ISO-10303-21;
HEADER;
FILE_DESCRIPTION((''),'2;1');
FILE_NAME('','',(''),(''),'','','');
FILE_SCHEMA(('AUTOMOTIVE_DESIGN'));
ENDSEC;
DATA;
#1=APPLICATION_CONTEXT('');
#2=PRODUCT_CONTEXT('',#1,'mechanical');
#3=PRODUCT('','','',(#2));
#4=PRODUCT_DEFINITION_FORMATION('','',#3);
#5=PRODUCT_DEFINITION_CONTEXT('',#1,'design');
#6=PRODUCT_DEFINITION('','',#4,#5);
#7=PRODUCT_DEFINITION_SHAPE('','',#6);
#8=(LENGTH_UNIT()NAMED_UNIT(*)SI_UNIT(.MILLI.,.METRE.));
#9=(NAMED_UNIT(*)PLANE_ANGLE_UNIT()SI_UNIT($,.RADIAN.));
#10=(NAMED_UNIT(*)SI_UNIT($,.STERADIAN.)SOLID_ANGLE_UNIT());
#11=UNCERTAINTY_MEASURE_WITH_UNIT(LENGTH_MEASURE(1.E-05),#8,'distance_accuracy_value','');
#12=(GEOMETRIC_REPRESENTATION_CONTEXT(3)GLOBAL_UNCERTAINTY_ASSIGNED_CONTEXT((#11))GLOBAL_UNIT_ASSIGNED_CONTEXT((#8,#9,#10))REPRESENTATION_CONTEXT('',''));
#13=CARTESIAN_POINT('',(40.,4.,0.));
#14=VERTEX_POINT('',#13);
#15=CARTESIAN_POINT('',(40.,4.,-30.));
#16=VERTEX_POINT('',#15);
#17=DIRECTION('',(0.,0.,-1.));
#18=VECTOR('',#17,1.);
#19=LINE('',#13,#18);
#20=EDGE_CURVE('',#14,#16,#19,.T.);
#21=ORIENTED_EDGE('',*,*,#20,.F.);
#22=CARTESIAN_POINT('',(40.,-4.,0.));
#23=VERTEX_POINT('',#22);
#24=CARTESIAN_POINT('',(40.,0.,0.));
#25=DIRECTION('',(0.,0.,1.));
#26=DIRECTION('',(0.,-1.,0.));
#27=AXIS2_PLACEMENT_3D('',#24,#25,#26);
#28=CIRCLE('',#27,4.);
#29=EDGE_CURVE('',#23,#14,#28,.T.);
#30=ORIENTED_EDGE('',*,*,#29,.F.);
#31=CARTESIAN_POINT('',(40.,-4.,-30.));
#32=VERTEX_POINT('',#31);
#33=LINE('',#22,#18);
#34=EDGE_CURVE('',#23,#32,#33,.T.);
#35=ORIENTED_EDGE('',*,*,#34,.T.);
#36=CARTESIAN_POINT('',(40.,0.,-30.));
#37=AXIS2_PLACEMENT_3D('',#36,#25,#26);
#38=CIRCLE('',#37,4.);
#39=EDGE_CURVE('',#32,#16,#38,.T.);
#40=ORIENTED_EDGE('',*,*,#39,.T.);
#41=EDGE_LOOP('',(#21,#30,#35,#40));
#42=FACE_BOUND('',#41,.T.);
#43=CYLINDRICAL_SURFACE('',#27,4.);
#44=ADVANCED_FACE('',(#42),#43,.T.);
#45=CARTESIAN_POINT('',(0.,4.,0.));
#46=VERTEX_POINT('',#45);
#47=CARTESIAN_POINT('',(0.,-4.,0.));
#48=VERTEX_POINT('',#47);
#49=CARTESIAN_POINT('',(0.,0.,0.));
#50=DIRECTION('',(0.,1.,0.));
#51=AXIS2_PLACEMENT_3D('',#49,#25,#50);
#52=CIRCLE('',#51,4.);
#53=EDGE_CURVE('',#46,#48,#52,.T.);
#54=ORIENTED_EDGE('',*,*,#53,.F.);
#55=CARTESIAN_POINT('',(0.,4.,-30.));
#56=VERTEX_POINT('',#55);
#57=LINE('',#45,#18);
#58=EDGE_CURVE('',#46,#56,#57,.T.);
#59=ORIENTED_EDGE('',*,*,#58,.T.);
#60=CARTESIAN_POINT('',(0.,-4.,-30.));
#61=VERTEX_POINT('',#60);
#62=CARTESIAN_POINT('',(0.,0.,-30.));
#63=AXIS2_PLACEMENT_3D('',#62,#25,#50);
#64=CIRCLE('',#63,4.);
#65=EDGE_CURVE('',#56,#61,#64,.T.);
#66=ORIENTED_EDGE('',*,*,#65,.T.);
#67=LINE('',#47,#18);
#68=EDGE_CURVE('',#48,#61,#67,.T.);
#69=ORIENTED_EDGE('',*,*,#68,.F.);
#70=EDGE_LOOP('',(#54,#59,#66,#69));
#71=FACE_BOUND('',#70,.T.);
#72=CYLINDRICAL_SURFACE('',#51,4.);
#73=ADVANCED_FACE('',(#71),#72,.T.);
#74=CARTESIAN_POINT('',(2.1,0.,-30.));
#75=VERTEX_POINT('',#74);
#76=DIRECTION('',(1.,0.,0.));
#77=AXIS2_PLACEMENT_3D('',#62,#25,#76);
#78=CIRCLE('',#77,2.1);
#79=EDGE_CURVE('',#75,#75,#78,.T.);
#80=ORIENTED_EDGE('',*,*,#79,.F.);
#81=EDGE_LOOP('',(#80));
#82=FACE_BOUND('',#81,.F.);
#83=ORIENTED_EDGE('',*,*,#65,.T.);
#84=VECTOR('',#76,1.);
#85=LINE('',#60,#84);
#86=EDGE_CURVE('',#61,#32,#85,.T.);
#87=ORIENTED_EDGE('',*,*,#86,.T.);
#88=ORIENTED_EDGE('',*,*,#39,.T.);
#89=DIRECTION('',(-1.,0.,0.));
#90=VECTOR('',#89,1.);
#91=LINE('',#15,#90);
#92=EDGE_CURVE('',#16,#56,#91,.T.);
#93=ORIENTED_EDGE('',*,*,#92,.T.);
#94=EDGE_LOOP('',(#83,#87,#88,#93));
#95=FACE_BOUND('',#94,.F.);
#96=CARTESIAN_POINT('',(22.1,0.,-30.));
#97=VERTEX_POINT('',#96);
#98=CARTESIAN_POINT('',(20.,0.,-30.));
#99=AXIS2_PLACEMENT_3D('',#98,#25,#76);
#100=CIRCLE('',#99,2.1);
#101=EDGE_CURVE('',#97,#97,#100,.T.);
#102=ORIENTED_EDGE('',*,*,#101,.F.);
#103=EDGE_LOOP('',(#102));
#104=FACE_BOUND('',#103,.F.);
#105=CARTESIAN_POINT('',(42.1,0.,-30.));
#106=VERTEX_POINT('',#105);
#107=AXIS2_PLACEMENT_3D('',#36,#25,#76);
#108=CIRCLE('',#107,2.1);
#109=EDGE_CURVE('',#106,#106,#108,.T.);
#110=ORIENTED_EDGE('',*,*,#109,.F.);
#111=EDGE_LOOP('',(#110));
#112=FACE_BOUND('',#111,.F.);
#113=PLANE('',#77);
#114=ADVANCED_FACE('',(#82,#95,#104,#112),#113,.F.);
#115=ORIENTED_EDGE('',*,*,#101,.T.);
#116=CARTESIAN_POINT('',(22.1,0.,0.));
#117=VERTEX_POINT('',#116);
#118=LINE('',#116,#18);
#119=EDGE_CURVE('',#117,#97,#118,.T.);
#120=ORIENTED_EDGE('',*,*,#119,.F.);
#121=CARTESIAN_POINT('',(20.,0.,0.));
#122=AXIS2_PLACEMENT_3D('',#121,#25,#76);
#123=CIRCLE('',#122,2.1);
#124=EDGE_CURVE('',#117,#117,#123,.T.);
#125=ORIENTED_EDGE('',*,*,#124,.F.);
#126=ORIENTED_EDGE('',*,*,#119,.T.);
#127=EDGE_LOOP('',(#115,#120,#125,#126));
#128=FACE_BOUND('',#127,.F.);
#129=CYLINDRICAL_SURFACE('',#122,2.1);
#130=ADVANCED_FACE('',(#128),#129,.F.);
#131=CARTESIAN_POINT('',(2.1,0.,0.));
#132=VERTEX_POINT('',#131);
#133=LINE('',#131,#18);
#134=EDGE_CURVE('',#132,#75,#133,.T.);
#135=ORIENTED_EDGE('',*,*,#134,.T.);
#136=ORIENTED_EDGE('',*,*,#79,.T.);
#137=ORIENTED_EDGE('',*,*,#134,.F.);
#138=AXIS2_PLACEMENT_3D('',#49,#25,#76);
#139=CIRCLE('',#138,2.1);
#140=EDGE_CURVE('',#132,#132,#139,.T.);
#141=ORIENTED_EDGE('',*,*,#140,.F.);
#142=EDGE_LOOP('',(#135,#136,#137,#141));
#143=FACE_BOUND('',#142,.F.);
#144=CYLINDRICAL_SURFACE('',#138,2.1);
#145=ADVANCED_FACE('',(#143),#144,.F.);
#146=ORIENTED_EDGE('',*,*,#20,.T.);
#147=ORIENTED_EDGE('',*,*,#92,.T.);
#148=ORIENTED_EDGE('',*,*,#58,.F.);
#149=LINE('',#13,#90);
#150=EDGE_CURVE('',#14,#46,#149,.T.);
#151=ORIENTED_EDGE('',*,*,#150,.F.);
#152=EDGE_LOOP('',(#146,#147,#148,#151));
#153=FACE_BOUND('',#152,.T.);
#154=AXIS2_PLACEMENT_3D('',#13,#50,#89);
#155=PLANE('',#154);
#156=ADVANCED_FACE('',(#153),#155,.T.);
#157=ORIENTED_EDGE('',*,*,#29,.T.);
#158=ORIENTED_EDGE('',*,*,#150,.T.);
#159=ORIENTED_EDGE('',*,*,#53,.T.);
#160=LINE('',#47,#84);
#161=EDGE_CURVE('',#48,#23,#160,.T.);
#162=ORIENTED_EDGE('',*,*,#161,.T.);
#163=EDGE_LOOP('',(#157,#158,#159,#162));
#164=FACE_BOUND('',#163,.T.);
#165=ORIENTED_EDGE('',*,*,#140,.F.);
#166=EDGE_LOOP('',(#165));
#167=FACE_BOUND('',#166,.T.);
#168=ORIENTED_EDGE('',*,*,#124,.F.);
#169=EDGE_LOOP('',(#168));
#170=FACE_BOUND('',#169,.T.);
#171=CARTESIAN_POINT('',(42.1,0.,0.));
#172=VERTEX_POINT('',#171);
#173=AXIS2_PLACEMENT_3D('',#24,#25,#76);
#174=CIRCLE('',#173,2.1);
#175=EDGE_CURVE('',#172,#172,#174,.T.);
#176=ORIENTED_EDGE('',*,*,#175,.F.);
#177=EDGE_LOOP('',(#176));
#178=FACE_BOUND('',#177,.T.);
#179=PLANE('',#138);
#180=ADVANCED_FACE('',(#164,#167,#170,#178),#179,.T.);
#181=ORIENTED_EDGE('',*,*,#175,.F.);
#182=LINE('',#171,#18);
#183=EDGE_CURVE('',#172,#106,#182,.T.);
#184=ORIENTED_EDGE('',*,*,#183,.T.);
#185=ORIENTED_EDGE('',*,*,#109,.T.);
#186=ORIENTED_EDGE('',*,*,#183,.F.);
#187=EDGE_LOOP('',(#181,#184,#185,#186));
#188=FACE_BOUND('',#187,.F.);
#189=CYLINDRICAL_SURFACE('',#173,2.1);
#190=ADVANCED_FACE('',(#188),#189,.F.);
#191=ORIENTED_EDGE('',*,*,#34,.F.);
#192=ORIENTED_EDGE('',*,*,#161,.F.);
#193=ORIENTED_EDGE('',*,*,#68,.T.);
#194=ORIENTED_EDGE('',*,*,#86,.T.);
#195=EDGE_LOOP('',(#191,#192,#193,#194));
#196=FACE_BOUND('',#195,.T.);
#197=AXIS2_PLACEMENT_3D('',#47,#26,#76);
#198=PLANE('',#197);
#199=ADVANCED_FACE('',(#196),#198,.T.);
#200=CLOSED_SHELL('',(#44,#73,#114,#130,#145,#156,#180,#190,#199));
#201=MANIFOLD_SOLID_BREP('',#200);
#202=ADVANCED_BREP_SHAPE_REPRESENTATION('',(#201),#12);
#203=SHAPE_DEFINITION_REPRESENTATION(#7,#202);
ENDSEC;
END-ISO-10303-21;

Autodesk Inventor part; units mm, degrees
ref_plane "YZ Plane" through (0, 0, 0) normal (1, 0, 0) x (0, 1, 0)
ref_plane "XZ Plane" through (0, 0, 0) normal (0, 1, 0) x (-1, 0, 0)
ref_plane "XY Plane" through (0, 0, 0) normal (0, 0, 1) x (1, 0, 0)
sketch "Sketch1" plane through (0, 0, 0) normal (0, 0, 1) x (1, 0, 0)
  circle A0 centre (0, 0) radius 2.1
  circle A1 centre (20, 0) radius 2.1
  circle A2 centre (40, 0) radius 2.1
  line L0 (0, 0) -> (40, 0) construction
  line L1 (0, 0) -> (40, 0) construction
  line L2 (0, -4) -> (40, -4)
  line L3 (40, 4) -> (0, 4)
  arc A3 (0, 4) -> (0, -4) centre (0, 0) ccw
  arc A4 (40, -4) -> (40, 4) centre (40, 0) ccw
  dimension "d0" = 4.2
  dimension "d1" = 4.2
  dimension "d2" = 4.2
  dimension "d3" = 20
  dimension "d4" = 20
  dimension "d5" = 0
  dimension "d6" = 8
extrude "Extrusion1" add sketch "Sketch1" against normal blind 30
properties part number "battery_top_secure"
